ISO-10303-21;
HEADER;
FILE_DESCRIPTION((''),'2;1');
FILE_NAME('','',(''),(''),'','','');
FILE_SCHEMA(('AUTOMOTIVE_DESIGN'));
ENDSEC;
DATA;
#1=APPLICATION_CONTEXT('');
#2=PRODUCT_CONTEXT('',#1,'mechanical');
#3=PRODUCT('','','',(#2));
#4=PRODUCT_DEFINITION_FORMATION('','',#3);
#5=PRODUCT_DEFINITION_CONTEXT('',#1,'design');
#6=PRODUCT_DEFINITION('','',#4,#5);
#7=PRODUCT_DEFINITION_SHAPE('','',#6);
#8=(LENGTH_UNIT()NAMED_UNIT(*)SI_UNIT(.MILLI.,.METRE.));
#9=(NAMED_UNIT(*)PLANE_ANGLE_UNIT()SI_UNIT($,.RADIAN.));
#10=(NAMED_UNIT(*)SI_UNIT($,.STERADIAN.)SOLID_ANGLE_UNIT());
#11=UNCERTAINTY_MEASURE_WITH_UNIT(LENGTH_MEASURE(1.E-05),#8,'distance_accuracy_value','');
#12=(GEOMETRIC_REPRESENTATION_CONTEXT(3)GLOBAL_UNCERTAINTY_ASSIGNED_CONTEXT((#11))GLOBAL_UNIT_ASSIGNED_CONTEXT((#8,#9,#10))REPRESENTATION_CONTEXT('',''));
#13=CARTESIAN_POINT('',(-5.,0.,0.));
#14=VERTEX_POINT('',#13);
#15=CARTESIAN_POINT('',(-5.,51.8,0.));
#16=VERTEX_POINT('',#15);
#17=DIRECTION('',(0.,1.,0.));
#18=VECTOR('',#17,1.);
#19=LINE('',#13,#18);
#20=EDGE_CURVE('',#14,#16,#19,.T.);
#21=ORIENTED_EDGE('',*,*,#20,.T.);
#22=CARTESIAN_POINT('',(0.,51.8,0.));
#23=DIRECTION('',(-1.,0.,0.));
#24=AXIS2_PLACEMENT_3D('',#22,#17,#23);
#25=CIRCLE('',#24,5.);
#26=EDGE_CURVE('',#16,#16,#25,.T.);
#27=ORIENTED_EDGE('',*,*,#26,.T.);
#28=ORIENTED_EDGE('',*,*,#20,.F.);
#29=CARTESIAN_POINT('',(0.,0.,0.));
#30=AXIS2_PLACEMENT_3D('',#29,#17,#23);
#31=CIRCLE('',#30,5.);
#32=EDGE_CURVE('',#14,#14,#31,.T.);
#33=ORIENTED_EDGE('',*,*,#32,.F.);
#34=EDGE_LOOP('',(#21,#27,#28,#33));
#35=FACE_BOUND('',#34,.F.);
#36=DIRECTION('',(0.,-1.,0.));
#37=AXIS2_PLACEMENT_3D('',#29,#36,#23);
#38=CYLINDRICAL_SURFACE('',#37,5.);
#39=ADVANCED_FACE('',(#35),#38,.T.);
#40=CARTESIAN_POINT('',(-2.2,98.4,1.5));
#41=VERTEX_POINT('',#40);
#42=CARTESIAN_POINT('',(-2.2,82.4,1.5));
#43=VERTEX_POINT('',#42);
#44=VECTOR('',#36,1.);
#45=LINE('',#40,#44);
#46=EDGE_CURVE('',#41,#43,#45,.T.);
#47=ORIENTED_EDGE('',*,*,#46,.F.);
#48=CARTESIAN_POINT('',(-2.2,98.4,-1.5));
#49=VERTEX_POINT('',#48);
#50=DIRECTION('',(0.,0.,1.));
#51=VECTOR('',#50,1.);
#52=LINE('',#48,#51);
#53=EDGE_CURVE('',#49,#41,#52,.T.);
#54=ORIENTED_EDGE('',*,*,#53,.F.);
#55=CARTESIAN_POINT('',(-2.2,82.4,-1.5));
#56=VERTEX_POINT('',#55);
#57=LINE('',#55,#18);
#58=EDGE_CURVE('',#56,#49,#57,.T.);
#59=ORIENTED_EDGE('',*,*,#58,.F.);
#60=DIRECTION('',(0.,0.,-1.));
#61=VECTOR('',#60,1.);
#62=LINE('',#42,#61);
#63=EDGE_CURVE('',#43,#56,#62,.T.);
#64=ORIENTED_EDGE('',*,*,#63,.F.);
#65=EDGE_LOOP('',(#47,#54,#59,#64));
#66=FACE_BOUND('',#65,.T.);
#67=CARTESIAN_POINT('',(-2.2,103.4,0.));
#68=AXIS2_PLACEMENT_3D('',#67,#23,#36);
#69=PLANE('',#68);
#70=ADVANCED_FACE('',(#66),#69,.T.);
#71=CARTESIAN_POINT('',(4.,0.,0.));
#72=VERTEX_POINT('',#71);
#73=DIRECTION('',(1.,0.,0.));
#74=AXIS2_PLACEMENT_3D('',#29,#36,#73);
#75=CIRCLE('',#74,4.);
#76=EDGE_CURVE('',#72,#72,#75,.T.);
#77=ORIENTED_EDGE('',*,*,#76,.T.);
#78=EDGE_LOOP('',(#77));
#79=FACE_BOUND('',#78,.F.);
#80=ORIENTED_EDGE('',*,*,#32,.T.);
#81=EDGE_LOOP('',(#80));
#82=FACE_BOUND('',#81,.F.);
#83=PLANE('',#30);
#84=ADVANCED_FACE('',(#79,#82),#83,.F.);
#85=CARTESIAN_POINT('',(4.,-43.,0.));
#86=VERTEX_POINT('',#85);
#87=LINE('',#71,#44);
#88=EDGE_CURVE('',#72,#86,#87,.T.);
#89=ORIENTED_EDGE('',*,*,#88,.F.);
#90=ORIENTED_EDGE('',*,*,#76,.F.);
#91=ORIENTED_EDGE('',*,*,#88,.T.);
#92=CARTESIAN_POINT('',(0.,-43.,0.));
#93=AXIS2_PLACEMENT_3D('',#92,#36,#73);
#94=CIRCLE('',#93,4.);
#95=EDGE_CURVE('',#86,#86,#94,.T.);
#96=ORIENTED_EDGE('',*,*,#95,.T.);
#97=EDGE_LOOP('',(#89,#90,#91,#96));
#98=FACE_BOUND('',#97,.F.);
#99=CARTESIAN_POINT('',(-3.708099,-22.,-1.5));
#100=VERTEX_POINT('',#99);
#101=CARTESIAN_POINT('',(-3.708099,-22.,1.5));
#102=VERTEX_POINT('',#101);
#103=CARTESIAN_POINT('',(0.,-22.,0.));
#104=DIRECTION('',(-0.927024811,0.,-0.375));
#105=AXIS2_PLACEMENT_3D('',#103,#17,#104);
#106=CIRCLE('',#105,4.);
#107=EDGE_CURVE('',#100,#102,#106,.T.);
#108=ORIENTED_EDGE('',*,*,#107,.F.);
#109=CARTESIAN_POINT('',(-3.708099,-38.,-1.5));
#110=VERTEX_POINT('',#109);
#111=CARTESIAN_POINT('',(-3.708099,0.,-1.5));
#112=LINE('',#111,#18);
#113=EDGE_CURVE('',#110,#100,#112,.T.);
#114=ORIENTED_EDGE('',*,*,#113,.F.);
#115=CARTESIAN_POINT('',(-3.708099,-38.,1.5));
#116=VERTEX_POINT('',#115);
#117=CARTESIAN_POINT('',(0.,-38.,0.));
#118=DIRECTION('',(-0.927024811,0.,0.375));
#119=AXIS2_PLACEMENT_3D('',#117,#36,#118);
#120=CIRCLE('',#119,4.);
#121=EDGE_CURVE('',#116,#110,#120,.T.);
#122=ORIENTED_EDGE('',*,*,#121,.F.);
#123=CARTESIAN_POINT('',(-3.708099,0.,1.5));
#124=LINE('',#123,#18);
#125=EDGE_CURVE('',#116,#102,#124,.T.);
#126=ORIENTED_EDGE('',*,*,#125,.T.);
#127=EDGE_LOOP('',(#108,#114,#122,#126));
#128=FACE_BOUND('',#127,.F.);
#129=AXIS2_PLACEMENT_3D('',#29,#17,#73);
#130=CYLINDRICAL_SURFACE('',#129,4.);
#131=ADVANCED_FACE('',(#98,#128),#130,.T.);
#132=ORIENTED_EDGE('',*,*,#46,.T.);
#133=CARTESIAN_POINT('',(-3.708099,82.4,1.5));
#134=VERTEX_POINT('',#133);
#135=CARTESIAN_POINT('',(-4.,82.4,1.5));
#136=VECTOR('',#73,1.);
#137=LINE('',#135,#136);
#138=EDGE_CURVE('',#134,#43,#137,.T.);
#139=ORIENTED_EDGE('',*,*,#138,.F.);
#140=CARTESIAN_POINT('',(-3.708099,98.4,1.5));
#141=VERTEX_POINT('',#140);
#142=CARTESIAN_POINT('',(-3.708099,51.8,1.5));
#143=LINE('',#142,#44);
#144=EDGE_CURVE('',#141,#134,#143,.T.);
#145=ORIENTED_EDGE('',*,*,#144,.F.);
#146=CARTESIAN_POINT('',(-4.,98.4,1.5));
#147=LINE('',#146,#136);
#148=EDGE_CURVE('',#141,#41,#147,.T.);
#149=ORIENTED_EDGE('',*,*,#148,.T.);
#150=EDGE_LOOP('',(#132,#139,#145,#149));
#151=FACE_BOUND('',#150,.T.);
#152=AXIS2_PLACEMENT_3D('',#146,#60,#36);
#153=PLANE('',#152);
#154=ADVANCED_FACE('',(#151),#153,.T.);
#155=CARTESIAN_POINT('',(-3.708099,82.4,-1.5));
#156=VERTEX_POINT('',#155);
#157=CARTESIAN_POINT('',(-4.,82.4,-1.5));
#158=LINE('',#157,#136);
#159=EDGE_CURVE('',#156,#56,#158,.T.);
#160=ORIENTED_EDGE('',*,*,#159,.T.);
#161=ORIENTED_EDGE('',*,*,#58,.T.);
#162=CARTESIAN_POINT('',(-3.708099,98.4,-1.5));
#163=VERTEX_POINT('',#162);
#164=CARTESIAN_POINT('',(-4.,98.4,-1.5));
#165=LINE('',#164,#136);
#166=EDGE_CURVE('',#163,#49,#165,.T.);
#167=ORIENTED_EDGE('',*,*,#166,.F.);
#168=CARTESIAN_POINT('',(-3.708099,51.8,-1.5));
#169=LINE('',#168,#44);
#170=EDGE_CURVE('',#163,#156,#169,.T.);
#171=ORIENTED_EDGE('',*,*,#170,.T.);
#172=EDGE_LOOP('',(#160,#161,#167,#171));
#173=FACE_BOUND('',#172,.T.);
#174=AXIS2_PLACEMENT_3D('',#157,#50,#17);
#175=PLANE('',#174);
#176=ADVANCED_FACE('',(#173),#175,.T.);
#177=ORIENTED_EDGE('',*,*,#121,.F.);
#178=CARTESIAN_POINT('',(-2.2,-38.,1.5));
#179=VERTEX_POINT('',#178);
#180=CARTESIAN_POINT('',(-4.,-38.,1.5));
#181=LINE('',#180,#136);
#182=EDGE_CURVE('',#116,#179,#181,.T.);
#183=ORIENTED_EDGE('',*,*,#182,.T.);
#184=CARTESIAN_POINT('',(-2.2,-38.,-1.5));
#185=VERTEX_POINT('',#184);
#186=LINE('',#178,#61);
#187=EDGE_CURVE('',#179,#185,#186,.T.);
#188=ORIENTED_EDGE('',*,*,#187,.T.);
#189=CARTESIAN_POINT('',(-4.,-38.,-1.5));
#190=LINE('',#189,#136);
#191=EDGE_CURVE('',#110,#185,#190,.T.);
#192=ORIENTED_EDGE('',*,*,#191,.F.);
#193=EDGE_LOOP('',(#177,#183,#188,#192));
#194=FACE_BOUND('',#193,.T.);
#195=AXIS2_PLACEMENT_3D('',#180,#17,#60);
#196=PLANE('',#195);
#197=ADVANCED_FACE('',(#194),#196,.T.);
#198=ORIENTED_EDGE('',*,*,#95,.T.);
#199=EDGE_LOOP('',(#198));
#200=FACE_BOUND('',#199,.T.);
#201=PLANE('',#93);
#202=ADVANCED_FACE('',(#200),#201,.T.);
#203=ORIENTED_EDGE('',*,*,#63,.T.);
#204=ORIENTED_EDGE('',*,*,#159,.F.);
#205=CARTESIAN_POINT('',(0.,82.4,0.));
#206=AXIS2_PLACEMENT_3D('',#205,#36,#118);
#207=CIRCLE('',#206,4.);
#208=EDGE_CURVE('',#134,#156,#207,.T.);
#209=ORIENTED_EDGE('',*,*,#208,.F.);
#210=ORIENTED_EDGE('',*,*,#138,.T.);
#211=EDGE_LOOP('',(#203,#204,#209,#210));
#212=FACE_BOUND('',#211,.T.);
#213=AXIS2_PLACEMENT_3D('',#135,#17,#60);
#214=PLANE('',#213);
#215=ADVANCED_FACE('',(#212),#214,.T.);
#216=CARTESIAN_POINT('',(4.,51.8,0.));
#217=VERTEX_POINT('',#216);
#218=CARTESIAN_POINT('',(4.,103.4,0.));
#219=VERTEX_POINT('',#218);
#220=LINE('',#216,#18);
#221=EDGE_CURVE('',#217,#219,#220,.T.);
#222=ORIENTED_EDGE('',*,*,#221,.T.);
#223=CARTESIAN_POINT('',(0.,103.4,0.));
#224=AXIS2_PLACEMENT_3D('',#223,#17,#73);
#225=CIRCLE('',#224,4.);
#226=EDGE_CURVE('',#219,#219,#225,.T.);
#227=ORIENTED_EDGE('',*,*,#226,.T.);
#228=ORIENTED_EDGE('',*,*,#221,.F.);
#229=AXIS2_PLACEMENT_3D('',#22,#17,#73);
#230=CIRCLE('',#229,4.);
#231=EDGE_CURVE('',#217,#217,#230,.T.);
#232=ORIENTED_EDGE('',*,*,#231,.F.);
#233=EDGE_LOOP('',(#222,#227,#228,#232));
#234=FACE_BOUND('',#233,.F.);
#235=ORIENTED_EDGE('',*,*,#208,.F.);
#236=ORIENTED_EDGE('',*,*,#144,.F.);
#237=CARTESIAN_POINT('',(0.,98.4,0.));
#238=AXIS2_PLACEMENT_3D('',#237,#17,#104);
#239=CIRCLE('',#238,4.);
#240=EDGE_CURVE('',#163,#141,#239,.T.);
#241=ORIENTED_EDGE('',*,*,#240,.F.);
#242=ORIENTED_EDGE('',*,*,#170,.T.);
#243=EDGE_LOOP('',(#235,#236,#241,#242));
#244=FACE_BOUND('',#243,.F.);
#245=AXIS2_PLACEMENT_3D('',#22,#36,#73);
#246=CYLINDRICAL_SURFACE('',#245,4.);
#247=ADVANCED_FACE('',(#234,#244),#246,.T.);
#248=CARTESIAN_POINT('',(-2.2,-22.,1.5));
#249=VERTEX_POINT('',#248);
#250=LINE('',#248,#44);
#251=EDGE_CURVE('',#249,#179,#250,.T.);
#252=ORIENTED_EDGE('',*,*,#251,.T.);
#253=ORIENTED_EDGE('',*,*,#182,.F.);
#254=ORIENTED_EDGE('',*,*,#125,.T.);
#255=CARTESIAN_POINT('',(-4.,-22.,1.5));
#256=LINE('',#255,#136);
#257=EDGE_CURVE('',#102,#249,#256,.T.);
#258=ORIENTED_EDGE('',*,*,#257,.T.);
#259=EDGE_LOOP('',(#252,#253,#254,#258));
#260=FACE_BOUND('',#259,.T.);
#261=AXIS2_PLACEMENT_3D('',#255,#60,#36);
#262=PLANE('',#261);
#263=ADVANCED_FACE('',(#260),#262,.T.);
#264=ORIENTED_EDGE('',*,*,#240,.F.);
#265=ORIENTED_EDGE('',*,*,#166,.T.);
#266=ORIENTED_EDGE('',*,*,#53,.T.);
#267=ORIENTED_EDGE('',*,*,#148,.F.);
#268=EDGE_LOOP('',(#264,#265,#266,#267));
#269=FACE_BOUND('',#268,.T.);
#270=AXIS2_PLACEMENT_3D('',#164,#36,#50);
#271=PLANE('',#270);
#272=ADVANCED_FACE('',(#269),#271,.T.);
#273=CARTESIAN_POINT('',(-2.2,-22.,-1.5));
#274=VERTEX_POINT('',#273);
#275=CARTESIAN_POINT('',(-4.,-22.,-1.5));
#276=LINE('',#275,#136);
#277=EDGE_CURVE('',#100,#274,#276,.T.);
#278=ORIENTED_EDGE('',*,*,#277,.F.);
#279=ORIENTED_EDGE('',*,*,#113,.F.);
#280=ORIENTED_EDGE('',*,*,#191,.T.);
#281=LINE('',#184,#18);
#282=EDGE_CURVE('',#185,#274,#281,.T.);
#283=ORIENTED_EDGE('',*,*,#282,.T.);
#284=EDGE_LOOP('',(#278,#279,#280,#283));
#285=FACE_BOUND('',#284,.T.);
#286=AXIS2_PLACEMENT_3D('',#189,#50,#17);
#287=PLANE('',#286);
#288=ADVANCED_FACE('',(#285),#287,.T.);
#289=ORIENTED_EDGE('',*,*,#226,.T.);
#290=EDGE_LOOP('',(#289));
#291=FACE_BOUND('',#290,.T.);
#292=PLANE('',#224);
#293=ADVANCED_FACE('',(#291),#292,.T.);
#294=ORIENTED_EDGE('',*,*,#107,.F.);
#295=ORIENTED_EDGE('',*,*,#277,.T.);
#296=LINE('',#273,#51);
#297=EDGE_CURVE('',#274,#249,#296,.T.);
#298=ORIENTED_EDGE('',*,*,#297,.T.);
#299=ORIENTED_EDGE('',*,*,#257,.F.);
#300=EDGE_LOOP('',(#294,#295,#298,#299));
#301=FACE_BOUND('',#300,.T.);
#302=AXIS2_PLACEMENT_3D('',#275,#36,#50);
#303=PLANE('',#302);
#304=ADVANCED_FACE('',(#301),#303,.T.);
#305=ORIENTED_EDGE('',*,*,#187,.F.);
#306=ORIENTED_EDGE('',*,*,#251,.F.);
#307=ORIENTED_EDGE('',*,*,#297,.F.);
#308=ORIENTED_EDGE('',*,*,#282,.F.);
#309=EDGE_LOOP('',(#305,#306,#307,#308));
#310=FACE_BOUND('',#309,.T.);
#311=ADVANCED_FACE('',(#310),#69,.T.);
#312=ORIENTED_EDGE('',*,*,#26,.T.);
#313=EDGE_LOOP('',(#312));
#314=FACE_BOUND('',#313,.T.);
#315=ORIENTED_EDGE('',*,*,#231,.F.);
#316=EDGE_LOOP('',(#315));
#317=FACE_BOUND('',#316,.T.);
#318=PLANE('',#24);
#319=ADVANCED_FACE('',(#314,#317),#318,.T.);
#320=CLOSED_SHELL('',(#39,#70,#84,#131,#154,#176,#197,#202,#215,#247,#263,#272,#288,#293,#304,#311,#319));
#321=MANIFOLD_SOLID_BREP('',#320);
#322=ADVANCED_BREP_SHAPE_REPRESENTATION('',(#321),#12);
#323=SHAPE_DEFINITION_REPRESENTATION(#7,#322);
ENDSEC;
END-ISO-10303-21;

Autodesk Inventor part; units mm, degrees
ref_plane "YZ Plane" through (0, 0, 0) normal (1, 0, 0) x (0, 1, 0)
ref_plane "XZ Plane" through (0, 0, 0) normal (0, 1, 0) x (-1, 0, 0)
sketch "スケッチ1" plane through (0, 0, 0) normal (0, 1, 0) x (-1, 0, 0)
  circle A0 centre (0, 0) radius 5
  dimension "d0" = 10
extrude "押し出し1" add sketch "スケッチ1" along normal blind 51.8
sketch "スケッチ2" plane through (0, 51.8, 0) normal (0, 1, 0) x (1, 0, 0)
  circle A0 centre (0, 0) radius 4
  dimension "d3" = 8
extrude "押し出し2" add sketch "スケッチ2" along normal blind 51.6
sketch "スケッチ3" plane through (0, 0, 0) normal (0, -1, 0) x (1, 0, 0)
  circle A0 centre (0, 0) radius 5 projected
  circle A1 centre (0, 0) radius 4
  dimension "d6" = 8
extrude "押し出し3" add sketch "スケッチ3" along normal blind 43 contours A1
sketch "スケッチ4" plane through (0, 103.4, 0) normal (0, 1, 0) x (1, 0, 0)
  circle A0 centre (0, 0) radius 4 projected
  point P0 (-4, 0)
ref_plane "作業平面1" through (-4, 103.4, 0) normal (-1, 0, 0) x (0, -1, 0)
sketch "スケッチ5" plane through (-4, 103.4, 0) normal (-1, 0, 0) x (0, -1, 0)
  line L0 (5, 1.5) -> (21, 1.5)
  line L1 (21, 1.5) -> (21, -1.5)
  line L2 (21, -1.5) -> (5, -1.5)
  line L3 (5, -1.5) -> (5, 1.5)
  line L4 (5, 1.5) -> (21, -1.5) construction
  line L5 (21, 1.5) -> (5, -1.5) construction
  line L6 (0, 4) -> (0, -4) projected
  point P0 (103.4, 0)
  point P1 (13, 0)
  dimension "d10" = 16
  dimension "d11" = 3
  dimension "d12" = 5
extrude "押し出し4" cut sketch "スケッチ5" against normal blind 1.8
sketch "スケッチ6" plane through (-4, 103.4, 0) normal (-1, 0, 0) x (0, -1, 0)
  line L0 (125.4, 1.5) -> (141.4, 1.5)
  line L1 (141.4, 1.5) -> (141.4, -1.5)
  line L2 (141.4, -1.5) -> (125.4, -1.5)
  line L3 (125.4, -1.5) -> (125.4, 1.5)
  line L4 (125.4, 1.5) -> (141.4, -1.5) construction
  line L5 (141.4, 1.5) -> (125.4, -1.5) construction
  line L6 (146.4, -4) -> (146.4, 4) projected
  point P0 (103.4, 0)
  point P1 (133.4, 0)
  dimension "d18" = 16
  dimension "d19" = 3
  dimension "d20" = 5
extrude "押し出し5" cut sketch "スケッチ6" against normal blind 1.8
properties part number "elbow_shaft" material "鋼、炭素鋼"
